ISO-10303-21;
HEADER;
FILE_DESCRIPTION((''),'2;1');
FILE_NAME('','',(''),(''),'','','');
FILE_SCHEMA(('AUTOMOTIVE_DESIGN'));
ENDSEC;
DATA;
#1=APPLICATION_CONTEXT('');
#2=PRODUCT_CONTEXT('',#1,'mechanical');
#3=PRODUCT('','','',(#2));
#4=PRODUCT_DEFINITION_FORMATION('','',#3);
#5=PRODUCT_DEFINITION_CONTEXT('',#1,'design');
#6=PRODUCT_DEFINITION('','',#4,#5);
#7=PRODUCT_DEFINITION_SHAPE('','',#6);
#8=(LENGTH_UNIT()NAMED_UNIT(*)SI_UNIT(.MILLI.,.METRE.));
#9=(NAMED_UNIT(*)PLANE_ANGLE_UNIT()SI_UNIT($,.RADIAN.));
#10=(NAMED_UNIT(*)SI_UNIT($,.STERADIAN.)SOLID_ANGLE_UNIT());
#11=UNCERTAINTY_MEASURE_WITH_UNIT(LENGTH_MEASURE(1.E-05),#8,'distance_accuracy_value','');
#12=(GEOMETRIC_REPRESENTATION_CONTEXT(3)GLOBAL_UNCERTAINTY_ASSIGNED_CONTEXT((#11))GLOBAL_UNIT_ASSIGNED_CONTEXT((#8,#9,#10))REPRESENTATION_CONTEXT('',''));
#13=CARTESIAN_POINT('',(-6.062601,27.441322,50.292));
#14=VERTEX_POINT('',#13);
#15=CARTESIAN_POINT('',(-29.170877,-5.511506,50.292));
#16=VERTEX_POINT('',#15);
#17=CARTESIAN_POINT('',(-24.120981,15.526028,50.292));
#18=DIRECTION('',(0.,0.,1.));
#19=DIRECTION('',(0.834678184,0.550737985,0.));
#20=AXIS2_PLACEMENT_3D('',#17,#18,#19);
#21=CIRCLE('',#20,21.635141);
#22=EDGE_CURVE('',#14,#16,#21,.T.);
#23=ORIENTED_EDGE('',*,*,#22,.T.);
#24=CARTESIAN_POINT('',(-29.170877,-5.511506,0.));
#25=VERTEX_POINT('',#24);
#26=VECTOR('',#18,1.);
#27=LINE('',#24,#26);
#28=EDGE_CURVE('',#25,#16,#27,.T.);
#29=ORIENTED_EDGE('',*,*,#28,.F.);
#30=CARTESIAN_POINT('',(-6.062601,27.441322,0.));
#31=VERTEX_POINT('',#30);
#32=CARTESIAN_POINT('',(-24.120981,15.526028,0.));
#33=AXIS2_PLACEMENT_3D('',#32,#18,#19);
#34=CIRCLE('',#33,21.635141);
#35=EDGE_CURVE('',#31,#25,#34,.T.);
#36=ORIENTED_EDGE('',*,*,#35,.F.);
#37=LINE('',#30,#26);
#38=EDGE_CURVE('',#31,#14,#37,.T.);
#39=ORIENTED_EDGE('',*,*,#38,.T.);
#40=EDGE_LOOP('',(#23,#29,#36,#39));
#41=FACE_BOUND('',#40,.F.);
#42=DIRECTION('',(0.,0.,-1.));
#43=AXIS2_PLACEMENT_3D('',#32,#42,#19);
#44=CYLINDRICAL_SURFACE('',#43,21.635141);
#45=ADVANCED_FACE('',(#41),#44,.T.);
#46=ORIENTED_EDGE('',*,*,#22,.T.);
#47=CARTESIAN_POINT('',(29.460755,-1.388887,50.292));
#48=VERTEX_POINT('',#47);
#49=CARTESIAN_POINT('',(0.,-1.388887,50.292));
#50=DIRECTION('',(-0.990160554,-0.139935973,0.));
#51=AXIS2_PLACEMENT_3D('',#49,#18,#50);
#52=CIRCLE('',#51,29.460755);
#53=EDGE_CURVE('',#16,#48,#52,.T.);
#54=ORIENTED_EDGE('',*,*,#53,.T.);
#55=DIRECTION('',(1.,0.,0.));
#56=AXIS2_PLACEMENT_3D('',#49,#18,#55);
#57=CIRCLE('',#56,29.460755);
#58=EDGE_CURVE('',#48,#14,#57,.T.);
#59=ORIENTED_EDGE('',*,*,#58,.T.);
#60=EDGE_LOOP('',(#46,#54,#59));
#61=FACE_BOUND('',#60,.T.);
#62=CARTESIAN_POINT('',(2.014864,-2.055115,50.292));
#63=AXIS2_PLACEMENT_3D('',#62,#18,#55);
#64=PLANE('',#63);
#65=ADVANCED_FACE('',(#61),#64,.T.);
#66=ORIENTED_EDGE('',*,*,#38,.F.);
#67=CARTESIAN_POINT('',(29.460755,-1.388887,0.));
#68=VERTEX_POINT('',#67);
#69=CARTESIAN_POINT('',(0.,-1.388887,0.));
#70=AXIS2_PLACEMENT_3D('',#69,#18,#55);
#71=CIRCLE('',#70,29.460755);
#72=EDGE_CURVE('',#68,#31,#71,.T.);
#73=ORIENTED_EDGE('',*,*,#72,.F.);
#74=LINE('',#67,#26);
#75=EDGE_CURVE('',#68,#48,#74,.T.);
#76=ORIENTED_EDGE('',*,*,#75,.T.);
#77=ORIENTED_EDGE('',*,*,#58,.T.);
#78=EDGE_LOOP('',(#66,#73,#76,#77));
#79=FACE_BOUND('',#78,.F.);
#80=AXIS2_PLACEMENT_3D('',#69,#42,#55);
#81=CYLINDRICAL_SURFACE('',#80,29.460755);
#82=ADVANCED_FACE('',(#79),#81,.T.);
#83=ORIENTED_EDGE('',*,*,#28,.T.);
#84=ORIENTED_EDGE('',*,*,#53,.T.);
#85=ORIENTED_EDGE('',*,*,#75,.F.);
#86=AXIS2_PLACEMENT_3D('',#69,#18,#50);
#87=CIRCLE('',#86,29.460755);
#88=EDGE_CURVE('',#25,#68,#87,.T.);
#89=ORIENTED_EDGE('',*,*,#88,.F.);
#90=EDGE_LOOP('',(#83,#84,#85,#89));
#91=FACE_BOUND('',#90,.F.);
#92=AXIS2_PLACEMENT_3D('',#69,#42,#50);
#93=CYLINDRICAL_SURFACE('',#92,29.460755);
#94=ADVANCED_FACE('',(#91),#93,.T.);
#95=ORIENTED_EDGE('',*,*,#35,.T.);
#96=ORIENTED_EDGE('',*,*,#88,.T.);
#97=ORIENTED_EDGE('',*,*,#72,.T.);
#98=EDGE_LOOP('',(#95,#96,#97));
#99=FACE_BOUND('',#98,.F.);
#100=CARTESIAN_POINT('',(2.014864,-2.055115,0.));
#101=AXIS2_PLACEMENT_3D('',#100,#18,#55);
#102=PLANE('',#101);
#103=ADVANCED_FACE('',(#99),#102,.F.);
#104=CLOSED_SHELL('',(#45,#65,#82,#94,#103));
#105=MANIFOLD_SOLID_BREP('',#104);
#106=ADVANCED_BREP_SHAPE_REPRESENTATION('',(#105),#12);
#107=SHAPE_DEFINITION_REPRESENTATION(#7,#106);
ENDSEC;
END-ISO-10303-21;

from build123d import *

# Parameters (mm, degrees)
F1_DEPTH = 50.292


with BuildPart() as f1:
    # F0 (on Top) → F1 (new body)
    with BuildSketch(Plane.XY):
        with BuildLine():
            ThreePointArc((-29.1708771538, -5.511506322), (2.0663990117, -30.7770828661), (29.4607546485, -1.3888869435))
            ThreePointArc((29.4607546485, -1.3888869435), (18.5651186922, 21.4862618517), (-6.0626009916, 27.4413217564))
            ThreePointArc((-6.0626009916, 27.4413217564), (-3.399314723, 21.7463062061), (-2.4858402805, 15.5260280523))
            ThreePointArc((-2.4858402805, 15.5260280523), (-10.7265026816, -1.4641826989), (-29.1708771538, -5.511506322))
        make_face()
        with BuildLine():
            ThreePointArc((-2.4858402805, 15.5260280523), (-3.399314723, 21.7463062061), (-6.0626009916, 27.4413217564))
            ThreePointArc((-6.0626009916, 27.4413217564), (-24.1209808081, 15.5260280523), (-29.1708771538, -5.511506322))
            ThreePointArc((-29.1708771538, -5.511506322), (-10.7265026816, -1.4641826989), (-2.4858402805, 15.5260280523))
        make_face()
        with BuildLine():
            ThreePointArc((-29.1708771538, -5.511506322), (-24.1209808081, 15.5260280523), (-6.0626009916, 27.4413217564))
            ThreePointArc((-6.0626009916, 27.4413217564), (-41.8347432584, 27.947860667), (-29.1708771538, -5.511506322))
        make_face()
    extrude(amount=F1_DEPTH)


solid = f1.part
